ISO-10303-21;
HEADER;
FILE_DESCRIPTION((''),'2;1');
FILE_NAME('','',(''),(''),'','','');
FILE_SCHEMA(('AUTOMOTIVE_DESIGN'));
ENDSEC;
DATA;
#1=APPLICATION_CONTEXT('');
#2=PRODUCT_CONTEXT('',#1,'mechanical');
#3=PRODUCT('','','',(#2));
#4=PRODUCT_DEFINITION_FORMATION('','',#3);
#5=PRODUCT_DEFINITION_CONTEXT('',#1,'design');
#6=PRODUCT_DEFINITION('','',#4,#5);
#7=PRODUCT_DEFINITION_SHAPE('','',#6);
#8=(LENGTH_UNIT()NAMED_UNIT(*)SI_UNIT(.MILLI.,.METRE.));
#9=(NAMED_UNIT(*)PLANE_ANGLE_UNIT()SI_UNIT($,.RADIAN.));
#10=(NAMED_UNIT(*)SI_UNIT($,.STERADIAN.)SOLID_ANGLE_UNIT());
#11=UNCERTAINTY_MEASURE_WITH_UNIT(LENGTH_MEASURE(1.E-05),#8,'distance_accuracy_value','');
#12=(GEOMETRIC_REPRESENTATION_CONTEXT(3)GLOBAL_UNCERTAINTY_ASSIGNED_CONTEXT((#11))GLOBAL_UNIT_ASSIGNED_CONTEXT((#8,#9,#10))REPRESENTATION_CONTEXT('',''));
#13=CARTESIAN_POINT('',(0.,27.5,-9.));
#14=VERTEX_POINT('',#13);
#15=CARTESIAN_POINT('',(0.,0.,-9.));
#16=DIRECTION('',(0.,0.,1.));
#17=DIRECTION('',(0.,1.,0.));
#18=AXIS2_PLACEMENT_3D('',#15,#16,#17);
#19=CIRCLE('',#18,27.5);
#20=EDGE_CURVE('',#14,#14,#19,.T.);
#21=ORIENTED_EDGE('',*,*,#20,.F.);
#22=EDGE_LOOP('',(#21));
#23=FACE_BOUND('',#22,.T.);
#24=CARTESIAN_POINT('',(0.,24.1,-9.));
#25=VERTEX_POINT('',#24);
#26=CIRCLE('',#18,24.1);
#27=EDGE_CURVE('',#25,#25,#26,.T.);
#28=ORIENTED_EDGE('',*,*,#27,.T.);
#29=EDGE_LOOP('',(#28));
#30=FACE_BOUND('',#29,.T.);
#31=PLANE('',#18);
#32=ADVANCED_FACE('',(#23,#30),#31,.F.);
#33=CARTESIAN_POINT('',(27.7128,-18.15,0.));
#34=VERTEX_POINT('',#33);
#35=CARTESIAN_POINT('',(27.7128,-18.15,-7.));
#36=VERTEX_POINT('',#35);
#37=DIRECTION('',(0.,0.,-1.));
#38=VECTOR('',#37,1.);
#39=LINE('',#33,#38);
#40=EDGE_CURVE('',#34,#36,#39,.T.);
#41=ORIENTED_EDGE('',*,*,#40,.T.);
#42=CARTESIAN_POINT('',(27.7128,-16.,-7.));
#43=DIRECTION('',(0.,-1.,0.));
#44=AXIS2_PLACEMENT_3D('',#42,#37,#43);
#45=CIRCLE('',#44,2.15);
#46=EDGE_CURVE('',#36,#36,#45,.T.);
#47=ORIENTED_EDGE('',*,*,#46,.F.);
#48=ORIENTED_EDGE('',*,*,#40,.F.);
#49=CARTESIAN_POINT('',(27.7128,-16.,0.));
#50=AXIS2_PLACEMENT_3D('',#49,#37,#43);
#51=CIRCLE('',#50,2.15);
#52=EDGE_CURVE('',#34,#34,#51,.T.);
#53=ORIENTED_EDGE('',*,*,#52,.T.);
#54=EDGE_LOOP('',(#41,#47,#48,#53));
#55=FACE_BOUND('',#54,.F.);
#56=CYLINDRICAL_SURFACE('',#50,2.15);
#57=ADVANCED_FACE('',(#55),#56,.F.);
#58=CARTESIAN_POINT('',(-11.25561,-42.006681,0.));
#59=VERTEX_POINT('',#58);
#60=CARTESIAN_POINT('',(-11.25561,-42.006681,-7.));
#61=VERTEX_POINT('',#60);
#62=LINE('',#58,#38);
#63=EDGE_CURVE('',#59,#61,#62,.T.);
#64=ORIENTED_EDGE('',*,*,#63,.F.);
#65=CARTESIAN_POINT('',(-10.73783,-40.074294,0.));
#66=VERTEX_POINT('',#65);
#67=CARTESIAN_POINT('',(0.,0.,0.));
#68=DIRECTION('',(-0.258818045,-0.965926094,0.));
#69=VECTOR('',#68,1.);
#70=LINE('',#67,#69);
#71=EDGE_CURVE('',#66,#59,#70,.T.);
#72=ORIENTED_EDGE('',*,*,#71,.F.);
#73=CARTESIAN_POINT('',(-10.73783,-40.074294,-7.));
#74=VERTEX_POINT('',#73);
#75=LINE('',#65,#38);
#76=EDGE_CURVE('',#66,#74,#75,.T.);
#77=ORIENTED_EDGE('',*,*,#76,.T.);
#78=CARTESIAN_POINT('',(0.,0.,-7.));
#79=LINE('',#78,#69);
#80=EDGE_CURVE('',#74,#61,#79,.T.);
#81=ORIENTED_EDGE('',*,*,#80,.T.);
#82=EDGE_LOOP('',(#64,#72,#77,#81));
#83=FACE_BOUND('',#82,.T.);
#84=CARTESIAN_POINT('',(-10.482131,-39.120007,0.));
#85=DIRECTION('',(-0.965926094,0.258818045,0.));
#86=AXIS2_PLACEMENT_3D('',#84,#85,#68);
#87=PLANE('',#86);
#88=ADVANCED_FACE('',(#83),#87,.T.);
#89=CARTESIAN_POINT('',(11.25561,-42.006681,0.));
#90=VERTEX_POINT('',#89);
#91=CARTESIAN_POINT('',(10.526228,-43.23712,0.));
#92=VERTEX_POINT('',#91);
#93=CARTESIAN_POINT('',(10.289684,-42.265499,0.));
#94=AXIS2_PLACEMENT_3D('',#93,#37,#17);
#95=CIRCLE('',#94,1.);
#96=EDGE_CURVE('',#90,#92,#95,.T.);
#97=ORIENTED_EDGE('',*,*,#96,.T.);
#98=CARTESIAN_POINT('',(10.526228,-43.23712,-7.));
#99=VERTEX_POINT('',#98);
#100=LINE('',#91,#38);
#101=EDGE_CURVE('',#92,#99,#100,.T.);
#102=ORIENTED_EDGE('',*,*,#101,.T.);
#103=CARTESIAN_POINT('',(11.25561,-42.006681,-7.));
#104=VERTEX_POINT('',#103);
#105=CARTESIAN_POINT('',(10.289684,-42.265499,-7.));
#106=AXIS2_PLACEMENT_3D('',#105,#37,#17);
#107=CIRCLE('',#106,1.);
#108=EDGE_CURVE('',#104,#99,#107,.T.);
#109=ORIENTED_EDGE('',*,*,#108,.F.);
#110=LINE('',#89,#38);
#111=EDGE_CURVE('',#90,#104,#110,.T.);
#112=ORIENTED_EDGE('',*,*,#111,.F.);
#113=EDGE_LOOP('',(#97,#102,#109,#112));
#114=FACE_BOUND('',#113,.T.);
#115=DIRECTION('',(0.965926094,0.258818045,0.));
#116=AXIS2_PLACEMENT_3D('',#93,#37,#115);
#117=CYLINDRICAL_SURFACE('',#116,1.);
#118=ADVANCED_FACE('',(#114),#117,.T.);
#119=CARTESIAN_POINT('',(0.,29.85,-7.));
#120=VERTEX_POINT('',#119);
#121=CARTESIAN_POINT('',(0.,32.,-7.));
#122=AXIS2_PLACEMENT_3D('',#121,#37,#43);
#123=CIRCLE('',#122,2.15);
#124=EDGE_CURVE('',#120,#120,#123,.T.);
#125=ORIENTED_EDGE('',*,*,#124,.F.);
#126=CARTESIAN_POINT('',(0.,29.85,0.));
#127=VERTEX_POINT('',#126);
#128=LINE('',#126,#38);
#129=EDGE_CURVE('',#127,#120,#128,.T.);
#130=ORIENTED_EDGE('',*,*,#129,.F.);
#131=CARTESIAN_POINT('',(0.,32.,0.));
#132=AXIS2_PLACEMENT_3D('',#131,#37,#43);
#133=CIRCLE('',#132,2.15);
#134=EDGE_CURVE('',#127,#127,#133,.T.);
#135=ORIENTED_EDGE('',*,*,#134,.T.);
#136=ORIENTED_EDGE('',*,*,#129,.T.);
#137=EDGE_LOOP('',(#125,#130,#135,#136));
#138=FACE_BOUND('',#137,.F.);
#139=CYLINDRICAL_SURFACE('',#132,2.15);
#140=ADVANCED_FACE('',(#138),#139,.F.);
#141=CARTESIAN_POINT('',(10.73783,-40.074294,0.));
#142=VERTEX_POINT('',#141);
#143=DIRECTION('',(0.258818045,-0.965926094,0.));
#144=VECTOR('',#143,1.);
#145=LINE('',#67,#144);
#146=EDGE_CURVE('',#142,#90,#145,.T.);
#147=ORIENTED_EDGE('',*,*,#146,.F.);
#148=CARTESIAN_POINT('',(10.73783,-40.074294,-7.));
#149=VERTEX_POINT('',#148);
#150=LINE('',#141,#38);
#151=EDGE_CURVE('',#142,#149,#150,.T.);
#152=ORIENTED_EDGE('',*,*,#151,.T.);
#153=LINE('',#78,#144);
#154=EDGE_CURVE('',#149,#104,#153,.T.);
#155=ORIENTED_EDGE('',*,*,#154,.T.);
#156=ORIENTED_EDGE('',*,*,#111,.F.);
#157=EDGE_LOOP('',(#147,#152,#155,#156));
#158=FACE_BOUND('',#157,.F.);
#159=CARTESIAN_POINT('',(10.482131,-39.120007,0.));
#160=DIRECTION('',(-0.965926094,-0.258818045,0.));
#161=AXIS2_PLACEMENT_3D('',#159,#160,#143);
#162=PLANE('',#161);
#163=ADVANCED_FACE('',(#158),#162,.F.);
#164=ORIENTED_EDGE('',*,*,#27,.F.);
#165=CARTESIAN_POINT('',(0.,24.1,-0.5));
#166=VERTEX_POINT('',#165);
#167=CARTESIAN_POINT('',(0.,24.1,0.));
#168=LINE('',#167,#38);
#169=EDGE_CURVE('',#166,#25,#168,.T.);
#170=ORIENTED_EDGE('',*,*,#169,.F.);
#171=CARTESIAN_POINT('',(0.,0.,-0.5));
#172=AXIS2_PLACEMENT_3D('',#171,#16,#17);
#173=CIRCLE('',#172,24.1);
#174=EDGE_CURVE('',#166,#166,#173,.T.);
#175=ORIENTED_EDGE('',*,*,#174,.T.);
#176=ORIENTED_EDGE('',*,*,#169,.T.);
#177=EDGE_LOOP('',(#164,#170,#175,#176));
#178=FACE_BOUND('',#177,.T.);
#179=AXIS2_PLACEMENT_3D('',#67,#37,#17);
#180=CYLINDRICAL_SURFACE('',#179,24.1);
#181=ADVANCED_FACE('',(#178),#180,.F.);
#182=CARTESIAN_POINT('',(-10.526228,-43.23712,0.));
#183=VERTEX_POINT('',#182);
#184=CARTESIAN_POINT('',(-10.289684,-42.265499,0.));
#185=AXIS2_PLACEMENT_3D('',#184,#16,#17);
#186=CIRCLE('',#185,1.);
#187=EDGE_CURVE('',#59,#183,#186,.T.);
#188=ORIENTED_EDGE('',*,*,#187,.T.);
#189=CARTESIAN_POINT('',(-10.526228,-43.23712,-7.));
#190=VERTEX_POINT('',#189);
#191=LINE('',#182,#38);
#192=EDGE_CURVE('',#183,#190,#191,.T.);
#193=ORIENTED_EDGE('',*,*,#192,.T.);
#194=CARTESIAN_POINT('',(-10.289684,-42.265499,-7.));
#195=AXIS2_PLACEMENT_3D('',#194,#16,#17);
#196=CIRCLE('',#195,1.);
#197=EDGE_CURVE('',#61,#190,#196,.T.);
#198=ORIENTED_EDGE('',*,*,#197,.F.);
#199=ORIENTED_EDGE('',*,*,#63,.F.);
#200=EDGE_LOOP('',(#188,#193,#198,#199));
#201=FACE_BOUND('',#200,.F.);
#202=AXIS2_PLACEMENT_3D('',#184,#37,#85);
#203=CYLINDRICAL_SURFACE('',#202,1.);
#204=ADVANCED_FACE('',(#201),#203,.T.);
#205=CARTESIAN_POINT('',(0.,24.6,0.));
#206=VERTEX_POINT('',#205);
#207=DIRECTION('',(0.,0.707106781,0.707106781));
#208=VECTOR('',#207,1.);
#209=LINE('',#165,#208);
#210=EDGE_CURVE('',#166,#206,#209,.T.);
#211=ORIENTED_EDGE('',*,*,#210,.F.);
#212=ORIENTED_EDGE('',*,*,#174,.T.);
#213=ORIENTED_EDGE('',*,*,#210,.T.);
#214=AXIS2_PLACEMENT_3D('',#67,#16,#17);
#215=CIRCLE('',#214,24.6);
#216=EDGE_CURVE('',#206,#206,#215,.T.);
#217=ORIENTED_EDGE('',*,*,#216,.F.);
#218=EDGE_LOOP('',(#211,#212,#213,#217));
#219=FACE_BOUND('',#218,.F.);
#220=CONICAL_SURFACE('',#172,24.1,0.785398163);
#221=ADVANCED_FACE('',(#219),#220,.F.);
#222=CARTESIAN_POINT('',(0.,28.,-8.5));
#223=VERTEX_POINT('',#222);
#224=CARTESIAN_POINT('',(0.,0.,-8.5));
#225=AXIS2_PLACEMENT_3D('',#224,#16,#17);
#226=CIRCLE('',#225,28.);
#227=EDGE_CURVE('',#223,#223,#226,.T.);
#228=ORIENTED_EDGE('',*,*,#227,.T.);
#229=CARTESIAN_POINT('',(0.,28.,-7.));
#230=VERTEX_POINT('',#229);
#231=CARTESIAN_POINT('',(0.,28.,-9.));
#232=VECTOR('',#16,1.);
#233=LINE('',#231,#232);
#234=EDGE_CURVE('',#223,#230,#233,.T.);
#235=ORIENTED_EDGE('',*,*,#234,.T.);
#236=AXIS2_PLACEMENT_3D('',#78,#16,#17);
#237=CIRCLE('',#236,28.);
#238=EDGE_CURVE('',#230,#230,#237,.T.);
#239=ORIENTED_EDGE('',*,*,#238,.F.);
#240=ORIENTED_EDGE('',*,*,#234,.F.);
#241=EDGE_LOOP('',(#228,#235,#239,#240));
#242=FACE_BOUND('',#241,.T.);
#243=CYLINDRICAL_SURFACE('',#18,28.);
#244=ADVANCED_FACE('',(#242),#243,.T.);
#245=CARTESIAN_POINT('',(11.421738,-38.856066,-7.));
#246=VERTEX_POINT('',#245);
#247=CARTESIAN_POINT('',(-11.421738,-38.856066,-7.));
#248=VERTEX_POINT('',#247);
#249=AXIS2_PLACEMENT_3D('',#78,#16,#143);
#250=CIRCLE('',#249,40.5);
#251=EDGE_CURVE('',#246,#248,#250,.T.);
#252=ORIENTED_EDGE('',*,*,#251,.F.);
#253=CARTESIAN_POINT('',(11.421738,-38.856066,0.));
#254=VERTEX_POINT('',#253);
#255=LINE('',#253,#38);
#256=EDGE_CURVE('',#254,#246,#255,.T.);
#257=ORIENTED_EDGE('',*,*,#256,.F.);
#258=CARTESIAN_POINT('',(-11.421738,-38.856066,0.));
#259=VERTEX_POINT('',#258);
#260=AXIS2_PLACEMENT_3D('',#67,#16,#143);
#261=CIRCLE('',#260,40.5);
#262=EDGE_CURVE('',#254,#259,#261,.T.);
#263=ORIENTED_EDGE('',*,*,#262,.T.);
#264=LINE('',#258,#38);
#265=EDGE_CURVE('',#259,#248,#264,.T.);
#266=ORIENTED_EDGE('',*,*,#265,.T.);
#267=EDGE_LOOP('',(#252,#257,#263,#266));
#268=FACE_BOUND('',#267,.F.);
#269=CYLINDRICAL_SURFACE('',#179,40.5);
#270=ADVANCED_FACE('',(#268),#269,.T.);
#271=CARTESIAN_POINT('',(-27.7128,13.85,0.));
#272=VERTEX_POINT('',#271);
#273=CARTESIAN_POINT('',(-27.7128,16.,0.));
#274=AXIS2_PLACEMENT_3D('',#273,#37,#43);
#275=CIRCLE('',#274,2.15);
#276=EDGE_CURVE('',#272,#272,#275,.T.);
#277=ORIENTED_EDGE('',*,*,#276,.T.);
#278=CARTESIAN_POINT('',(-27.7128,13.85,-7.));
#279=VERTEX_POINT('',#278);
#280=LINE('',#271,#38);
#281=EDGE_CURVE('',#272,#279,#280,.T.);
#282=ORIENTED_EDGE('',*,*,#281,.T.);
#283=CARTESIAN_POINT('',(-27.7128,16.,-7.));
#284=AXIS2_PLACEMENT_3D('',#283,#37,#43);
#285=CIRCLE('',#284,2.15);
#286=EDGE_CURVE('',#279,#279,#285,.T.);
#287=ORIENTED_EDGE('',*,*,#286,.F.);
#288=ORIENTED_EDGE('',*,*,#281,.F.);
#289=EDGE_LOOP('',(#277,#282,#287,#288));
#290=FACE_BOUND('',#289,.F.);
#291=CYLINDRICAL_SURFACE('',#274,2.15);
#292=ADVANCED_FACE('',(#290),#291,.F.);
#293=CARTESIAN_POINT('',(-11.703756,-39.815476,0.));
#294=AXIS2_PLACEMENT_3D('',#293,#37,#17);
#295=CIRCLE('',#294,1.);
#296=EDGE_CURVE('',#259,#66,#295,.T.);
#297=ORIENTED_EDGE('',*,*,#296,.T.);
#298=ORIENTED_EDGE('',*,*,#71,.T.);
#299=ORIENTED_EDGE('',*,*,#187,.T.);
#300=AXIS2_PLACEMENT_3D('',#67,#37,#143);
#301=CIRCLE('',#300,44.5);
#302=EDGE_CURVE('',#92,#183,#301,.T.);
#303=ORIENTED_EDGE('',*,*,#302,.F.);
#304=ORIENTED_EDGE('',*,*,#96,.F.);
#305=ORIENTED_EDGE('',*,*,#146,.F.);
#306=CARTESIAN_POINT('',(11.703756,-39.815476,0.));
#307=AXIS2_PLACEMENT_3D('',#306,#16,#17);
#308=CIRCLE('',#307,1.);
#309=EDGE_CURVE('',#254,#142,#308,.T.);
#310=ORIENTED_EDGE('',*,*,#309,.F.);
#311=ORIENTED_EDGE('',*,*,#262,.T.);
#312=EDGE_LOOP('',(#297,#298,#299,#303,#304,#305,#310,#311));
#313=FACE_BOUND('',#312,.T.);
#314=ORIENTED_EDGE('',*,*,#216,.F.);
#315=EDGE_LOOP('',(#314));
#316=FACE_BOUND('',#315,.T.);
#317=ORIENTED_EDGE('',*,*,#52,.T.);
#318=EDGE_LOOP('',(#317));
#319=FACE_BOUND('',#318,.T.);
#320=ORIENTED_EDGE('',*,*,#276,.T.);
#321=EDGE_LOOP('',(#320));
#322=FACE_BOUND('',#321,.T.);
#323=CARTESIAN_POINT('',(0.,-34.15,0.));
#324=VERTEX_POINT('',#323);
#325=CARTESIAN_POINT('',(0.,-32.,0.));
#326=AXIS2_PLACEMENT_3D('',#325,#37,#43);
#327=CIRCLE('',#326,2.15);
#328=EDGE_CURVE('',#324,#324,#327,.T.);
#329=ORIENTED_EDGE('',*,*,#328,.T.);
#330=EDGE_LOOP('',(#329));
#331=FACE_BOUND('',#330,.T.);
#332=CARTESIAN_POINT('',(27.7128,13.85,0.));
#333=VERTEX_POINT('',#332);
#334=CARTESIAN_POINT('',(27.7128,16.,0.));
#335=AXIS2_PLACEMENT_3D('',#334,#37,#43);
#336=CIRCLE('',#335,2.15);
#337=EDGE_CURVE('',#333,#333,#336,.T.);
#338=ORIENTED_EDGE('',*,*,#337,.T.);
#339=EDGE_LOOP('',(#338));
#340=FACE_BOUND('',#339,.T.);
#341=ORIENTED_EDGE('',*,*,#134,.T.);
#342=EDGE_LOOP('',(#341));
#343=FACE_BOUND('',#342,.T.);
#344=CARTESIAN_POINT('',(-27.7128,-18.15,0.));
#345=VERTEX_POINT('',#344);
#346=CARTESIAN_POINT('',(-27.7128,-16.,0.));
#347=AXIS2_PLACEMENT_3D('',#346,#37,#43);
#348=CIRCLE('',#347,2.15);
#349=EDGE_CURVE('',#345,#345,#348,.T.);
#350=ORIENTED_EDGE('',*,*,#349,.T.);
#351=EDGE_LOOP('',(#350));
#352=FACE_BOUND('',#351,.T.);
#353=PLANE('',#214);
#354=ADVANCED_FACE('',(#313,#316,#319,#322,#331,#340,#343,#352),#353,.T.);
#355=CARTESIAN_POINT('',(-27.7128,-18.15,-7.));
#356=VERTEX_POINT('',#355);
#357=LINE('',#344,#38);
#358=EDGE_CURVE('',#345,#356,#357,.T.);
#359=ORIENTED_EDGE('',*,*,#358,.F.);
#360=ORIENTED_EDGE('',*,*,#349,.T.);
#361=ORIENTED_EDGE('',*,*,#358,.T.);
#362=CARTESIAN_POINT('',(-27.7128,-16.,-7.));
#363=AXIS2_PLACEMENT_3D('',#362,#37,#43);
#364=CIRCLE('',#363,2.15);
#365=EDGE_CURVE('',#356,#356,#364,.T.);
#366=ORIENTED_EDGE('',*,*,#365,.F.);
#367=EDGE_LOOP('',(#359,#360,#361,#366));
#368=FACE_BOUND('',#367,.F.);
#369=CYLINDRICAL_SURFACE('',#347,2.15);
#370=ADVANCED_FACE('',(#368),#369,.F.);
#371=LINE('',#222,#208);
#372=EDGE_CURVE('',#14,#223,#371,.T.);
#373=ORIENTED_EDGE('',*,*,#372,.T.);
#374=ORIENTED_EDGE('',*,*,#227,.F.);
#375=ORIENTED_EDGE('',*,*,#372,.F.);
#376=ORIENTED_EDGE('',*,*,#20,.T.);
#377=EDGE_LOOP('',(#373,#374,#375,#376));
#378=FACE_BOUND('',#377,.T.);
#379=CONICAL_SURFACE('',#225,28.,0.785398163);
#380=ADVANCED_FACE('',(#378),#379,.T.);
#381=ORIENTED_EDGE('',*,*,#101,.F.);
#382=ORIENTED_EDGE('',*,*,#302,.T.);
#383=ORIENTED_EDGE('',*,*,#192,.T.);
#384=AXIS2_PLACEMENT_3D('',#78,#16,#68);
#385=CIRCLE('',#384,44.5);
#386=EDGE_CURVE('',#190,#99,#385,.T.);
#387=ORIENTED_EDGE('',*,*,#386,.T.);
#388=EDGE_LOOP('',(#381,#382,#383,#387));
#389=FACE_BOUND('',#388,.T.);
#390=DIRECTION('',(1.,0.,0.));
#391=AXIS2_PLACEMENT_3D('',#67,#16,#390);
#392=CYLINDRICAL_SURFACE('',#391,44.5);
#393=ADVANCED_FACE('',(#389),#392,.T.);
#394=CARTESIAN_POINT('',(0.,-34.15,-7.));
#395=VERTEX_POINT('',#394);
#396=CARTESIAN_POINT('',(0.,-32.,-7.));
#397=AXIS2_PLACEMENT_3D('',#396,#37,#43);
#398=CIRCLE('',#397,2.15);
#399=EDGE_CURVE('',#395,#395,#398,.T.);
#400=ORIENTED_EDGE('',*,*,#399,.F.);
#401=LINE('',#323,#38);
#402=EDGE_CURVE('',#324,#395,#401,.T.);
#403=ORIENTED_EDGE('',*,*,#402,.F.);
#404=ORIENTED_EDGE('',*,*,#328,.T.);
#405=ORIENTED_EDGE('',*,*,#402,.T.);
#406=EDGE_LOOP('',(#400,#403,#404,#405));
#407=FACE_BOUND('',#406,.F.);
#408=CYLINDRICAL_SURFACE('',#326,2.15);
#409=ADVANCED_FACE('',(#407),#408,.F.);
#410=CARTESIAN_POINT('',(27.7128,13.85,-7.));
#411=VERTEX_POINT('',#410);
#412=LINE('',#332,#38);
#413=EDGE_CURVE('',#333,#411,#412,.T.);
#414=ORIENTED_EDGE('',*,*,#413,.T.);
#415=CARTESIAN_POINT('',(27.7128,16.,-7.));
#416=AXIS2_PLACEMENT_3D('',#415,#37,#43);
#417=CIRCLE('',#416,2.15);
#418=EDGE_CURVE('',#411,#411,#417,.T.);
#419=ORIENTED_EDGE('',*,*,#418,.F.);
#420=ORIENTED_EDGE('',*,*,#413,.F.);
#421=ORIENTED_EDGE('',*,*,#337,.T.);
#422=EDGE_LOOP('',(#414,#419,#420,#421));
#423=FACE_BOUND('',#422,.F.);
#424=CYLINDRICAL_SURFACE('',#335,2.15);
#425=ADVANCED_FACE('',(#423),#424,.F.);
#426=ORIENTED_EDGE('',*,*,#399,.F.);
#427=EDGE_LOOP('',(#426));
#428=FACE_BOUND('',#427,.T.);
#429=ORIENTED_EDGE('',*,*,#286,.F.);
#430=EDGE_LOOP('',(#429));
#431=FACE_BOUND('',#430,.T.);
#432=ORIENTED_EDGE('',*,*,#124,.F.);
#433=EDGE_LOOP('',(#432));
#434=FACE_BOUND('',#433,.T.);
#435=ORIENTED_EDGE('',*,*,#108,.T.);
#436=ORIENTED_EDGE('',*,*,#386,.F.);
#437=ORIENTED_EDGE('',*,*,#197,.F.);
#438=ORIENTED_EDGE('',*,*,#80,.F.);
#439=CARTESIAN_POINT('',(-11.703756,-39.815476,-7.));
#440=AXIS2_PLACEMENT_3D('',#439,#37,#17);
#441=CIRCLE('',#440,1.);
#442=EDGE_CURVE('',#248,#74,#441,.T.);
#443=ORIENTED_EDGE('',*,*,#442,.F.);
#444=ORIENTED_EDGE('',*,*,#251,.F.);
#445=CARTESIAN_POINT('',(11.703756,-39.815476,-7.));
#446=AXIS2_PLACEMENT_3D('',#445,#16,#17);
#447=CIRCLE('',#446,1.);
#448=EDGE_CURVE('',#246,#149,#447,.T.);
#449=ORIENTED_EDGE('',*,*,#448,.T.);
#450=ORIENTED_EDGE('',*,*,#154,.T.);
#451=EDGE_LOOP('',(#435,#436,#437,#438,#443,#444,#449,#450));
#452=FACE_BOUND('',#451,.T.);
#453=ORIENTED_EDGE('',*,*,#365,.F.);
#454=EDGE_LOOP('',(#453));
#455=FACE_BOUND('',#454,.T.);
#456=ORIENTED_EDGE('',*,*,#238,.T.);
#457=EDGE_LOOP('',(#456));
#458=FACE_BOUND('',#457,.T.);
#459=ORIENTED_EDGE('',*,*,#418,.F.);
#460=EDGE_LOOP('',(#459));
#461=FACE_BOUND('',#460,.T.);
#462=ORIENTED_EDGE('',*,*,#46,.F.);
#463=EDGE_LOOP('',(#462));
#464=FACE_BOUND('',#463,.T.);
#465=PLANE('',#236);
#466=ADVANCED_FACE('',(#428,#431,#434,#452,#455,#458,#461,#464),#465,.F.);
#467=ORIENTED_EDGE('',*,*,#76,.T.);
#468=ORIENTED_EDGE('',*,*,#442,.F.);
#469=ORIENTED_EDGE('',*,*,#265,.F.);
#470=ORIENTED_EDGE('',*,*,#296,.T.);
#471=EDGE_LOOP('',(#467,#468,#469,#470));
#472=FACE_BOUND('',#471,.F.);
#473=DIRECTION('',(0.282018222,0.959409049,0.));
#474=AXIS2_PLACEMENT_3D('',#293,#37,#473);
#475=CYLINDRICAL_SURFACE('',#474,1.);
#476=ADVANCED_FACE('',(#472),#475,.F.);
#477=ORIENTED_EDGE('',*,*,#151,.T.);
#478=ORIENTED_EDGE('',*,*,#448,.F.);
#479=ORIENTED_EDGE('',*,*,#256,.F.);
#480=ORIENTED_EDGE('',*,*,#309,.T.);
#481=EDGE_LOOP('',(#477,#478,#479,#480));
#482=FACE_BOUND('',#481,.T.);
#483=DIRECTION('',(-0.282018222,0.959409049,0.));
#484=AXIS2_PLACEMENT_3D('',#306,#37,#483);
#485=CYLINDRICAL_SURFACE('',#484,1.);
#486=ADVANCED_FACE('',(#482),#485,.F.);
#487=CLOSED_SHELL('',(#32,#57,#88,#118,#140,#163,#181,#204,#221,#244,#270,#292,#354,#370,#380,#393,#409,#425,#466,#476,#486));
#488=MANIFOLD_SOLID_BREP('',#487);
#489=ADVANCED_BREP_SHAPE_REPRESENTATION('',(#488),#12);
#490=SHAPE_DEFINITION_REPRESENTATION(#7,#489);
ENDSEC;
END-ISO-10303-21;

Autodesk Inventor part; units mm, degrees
ref_plane "YZ Plane" through (0, 0, 0) normal (1, 0, 0) x (0, 1, 0)
ref_plane "XZ Plane" through (0, 0, 0) normal (0, 1, 0) x (-1, 0, 0)
ref_plane "XY Plane" through (0, 0, 0) normal (0, 0, 1) x (1, 0, 0)
sketch "スケッチ2" plane through (0, 0, 0) normal (1, 0, 0) x (0, 1, 0)
  line L0 (24.1, 0) -> (24.1, -9)
  line L1 (40.5, 0) -> (40.5, -7)
  line L2 (40.5, 0) -> (24.1, 0)
  line L3 (24.1, 0) -> (59, 0)
  line L4 (24.1, -9) -> (28, -9)
  line L5 (0, -10.8) -> (0, 1.8) projected
  line L6 (28, -9) -> (28, -7)
  line L7 (28, -7) -> (40.5, -7)
  point P0 (0, 0)
  dimension "d40" = 24.1
  dimension "d41" = 7
  dimension "d42" = 40.5
  dimension "d43" = 28
  dimension "d44" = 2
revolve "回転1" add sketch "スケッチ2" angle 360 about axis through (0, 0, -10) along (0, 0, 1)
sketch "スケッチ4" plane through (0, 0, 0) normal (0, 0, 1) x (1, 0, 0)
  point P0 (0, 0)
  point P1 (0, 32)
  point P2 (-27.7128, 16)
  point P3 (-27.7128, -16)
  point P4 (0, -32)
  point P5 (27.7128, -16)
  point P6 (27.7128, 16)
  dimension "d11" = 32
  dimension "d14" = 360
hole "穴1" at (0, 32, 0) at (-27.7128, 16, 0) at (-27.7128, -16, 0) at (0, -32, 0) at (27.7128, -16, 0) at (27.7128, 16, 0) direction (0, 0, -1) diameter 4.3 end through all clearance for "Socket Head Cap Screw" size "M4" standard "Ansi Metric M Profile"
chamfer "面取り3" distance 0.5 angle 45 1 edges at (0, -28, -9)
chamfer "面取り4" distance 0.5 angle 45 1 edges at (0, -24.1, 0)
sketch "スケッチ7" plane through (0, 0, 0) normal (0, 0, 1) x (1, 0, 0)
  circle A0 centre (0, 0) radius 40.5 projected
  circle A1 centre (0, 0) radius 44.5
  line L0 (0, 0) -> (11.5174, -42.9837)
  line L1 (0, 0) -> (-11.5174, -42.9837)
  line L2 (0, 62.3) -> (0, -62.3) projected
  point P0 (10.4822, -39.12)
  point P1 (-10.4822, -39.12)
  dimension "d51" = 4
  dimension "d52" = 15
  dimension "d53" = 15
extrude "押し出し3" add sketch "スケッチ7" against normal up to surface (7 mm away) contours L0 A1 L2 A0 | A0 L2 A1 L1 picked at (6.2128, -42.6798) picked at (-1.2928, -43.1102)
fillet "フィレット1" radius 1 4 edges at (10.4822, -39.12, -3.5) (11.5174, -42.9837, -3.5) (-10.4822, -39.12, -3.5) (-11.5174, -42.9837, -3.5)
properties part number "base12" material "ABS プラスチック"
